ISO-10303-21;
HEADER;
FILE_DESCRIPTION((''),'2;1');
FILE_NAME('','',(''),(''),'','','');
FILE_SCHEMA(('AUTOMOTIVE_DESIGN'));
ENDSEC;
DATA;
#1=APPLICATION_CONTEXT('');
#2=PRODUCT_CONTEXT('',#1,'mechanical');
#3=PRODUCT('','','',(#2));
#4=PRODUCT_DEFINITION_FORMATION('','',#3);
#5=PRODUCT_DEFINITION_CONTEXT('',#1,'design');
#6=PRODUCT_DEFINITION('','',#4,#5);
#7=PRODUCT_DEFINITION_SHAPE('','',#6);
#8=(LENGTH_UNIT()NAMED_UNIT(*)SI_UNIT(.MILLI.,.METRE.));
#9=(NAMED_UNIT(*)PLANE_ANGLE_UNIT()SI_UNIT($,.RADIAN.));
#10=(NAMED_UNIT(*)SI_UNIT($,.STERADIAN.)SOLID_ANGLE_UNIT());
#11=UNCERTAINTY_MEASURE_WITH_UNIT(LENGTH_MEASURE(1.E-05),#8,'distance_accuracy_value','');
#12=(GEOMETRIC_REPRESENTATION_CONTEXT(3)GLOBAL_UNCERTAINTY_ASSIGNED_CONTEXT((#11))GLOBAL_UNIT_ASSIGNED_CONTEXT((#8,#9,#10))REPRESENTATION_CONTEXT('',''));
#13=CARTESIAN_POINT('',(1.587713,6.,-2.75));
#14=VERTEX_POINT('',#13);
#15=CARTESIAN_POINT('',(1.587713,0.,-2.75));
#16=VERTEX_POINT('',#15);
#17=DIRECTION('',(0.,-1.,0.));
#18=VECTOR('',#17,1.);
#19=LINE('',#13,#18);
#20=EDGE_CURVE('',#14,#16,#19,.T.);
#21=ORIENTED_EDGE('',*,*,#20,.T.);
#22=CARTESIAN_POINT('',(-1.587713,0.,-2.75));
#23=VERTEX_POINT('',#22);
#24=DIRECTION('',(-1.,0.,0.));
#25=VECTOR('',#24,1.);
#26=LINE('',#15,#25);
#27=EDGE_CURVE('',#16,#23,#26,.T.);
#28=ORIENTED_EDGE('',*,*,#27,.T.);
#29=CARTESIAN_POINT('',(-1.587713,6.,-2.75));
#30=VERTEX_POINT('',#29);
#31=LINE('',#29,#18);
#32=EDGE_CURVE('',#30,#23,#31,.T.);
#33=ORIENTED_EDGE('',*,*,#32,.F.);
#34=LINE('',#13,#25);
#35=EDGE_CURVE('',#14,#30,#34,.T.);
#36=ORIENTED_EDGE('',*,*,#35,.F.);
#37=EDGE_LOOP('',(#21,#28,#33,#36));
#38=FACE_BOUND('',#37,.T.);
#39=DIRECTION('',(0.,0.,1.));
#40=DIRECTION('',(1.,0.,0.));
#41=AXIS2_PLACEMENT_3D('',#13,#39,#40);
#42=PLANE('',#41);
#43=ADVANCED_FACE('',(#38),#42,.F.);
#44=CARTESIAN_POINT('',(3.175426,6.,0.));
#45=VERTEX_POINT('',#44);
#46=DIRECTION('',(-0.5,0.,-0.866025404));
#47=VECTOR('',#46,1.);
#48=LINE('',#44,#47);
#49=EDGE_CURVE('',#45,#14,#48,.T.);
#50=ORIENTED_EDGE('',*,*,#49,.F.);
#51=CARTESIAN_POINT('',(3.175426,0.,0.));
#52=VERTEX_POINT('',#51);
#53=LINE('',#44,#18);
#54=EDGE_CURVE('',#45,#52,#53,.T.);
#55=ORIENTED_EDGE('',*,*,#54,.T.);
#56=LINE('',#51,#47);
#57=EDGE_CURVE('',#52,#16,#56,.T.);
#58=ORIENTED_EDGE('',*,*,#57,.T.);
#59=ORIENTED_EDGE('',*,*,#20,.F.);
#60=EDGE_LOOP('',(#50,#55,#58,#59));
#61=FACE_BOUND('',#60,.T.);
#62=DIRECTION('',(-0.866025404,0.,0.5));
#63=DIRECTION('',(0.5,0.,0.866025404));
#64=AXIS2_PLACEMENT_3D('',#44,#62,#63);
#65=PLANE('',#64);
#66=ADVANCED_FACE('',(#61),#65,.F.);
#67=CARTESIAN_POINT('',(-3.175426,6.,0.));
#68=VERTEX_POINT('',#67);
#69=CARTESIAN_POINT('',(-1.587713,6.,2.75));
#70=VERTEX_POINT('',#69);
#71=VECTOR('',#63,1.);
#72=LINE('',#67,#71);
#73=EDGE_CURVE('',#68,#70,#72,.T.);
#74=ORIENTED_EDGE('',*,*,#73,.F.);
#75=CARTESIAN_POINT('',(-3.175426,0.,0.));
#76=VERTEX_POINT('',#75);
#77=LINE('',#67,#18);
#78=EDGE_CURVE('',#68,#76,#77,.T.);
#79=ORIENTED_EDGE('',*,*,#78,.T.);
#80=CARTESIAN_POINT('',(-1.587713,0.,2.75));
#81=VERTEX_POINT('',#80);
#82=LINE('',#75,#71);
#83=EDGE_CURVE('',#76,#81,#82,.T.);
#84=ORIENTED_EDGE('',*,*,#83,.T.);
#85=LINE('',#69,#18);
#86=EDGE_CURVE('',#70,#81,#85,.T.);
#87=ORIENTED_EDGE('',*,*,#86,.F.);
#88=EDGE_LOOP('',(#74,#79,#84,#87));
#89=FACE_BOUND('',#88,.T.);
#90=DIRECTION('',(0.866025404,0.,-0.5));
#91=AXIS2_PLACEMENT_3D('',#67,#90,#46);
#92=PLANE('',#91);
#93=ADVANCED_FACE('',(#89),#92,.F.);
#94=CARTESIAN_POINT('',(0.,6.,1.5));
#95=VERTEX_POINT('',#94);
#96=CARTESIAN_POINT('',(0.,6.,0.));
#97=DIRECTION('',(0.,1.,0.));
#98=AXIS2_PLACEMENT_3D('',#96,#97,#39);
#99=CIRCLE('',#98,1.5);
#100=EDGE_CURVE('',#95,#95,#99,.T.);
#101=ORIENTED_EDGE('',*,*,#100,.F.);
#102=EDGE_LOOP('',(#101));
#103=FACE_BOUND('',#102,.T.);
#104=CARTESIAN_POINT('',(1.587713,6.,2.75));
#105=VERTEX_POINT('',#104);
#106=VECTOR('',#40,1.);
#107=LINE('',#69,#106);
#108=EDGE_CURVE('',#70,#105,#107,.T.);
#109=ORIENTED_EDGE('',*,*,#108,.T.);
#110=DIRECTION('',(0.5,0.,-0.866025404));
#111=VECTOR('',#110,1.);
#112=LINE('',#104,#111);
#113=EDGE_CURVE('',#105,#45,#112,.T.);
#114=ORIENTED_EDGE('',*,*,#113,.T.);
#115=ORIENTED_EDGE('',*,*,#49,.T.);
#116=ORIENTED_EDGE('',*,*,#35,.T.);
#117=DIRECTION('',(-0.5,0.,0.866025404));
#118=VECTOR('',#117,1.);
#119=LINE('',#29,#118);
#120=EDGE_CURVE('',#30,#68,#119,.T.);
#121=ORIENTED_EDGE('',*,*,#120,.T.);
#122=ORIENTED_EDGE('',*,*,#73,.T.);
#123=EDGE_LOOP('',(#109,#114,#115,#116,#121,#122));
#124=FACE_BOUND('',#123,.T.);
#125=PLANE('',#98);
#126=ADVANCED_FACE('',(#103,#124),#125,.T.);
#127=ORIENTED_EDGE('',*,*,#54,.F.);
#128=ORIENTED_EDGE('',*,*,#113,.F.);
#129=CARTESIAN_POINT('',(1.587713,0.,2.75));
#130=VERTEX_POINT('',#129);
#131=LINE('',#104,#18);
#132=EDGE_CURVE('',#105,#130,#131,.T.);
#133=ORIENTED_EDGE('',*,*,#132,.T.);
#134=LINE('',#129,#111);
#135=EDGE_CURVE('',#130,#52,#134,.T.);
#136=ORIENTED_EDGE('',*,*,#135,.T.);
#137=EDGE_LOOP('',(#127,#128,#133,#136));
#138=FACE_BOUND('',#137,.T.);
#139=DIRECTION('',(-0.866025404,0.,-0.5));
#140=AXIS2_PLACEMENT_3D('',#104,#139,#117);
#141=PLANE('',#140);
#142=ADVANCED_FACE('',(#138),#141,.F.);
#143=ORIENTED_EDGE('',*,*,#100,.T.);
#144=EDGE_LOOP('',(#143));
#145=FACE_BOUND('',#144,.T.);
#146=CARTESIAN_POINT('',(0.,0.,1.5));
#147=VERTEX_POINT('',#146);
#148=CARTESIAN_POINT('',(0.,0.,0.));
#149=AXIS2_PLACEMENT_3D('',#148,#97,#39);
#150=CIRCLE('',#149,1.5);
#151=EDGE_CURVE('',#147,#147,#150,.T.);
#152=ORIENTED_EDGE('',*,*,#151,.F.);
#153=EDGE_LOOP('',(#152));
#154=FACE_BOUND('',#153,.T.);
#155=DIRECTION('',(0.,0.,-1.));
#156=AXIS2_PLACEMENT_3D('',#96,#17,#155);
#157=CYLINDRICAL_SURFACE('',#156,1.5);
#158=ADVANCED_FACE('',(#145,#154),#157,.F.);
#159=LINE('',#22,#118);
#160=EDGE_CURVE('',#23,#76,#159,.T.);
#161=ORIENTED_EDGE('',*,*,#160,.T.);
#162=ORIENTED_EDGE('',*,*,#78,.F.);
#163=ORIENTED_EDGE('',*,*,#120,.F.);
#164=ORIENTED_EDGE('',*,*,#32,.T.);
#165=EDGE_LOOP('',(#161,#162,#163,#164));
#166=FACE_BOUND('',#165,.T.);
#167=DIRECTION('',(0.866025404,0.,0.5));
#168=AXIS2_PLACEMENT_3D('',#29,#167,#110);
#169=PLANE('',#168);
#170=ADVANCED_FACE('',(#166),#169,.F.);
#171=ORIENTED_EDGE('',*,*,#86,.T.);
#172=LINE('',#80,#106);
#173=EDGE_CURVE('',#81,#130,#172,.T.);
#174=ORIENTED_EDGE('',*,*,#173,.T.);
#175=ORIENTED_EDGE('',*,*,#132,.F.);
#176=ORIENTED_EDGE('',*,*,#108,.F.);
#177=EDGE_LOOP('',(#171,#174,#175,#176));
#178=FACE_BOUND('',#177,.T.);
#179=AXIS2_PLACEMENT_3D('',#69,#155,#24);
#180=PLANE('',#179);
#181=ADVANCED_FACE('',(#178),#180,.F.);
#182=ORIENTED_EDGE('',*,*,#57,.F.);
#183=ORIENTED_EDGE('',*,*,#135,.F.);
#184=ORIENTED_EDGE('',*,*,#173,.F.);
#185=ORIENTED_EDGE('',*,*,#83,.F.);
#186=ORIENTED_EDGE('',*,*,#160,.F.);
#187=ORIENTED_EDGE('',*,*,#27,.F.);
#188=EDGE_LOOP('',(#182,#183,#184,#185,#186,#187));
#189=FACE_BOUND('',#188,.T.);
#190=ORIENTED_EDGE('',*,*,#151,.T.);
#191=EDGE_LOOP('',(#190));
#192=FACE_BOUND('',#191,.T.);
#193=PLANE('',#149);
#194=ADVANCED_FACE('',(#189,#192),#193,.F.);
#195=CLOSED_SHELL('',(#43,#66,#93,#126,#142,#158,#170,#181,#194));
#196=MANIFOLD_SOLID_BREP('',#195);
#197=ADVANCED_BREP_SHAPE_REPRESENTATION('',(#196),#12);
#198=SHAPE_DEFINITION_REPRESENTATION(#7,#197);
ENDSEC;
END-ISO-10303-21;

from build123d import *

# Parameters (mm, degrees)
SKETCH_1_R      = 1.5
EXTRUDE_1_DEPTH = 6


with BuildPart() as part:
    # Эскиз1 → Бобышка-Вытянуть1 (new body)
    with BuildSketch(Plane(origin=(0, 0, 0), x_dir=(1, 0, 0), z_dir=(0, 1, 0))):
        Polygon((3.175426481, 0), (1.58771324, 2.75), (-1.58771324, 2.75), (-3.175426481, 0), (-1.58771324, -2.75), (1.58771324, -2.75), align=None)
        with Locations(Location((0, 0, 0), (0, 0, 270))):
            Circle(SKETCH_1_R, mode=Mode.SUBTRACT)
    extrude(amount=EXTRUDE_1_DEPTH)


solid = part.part
